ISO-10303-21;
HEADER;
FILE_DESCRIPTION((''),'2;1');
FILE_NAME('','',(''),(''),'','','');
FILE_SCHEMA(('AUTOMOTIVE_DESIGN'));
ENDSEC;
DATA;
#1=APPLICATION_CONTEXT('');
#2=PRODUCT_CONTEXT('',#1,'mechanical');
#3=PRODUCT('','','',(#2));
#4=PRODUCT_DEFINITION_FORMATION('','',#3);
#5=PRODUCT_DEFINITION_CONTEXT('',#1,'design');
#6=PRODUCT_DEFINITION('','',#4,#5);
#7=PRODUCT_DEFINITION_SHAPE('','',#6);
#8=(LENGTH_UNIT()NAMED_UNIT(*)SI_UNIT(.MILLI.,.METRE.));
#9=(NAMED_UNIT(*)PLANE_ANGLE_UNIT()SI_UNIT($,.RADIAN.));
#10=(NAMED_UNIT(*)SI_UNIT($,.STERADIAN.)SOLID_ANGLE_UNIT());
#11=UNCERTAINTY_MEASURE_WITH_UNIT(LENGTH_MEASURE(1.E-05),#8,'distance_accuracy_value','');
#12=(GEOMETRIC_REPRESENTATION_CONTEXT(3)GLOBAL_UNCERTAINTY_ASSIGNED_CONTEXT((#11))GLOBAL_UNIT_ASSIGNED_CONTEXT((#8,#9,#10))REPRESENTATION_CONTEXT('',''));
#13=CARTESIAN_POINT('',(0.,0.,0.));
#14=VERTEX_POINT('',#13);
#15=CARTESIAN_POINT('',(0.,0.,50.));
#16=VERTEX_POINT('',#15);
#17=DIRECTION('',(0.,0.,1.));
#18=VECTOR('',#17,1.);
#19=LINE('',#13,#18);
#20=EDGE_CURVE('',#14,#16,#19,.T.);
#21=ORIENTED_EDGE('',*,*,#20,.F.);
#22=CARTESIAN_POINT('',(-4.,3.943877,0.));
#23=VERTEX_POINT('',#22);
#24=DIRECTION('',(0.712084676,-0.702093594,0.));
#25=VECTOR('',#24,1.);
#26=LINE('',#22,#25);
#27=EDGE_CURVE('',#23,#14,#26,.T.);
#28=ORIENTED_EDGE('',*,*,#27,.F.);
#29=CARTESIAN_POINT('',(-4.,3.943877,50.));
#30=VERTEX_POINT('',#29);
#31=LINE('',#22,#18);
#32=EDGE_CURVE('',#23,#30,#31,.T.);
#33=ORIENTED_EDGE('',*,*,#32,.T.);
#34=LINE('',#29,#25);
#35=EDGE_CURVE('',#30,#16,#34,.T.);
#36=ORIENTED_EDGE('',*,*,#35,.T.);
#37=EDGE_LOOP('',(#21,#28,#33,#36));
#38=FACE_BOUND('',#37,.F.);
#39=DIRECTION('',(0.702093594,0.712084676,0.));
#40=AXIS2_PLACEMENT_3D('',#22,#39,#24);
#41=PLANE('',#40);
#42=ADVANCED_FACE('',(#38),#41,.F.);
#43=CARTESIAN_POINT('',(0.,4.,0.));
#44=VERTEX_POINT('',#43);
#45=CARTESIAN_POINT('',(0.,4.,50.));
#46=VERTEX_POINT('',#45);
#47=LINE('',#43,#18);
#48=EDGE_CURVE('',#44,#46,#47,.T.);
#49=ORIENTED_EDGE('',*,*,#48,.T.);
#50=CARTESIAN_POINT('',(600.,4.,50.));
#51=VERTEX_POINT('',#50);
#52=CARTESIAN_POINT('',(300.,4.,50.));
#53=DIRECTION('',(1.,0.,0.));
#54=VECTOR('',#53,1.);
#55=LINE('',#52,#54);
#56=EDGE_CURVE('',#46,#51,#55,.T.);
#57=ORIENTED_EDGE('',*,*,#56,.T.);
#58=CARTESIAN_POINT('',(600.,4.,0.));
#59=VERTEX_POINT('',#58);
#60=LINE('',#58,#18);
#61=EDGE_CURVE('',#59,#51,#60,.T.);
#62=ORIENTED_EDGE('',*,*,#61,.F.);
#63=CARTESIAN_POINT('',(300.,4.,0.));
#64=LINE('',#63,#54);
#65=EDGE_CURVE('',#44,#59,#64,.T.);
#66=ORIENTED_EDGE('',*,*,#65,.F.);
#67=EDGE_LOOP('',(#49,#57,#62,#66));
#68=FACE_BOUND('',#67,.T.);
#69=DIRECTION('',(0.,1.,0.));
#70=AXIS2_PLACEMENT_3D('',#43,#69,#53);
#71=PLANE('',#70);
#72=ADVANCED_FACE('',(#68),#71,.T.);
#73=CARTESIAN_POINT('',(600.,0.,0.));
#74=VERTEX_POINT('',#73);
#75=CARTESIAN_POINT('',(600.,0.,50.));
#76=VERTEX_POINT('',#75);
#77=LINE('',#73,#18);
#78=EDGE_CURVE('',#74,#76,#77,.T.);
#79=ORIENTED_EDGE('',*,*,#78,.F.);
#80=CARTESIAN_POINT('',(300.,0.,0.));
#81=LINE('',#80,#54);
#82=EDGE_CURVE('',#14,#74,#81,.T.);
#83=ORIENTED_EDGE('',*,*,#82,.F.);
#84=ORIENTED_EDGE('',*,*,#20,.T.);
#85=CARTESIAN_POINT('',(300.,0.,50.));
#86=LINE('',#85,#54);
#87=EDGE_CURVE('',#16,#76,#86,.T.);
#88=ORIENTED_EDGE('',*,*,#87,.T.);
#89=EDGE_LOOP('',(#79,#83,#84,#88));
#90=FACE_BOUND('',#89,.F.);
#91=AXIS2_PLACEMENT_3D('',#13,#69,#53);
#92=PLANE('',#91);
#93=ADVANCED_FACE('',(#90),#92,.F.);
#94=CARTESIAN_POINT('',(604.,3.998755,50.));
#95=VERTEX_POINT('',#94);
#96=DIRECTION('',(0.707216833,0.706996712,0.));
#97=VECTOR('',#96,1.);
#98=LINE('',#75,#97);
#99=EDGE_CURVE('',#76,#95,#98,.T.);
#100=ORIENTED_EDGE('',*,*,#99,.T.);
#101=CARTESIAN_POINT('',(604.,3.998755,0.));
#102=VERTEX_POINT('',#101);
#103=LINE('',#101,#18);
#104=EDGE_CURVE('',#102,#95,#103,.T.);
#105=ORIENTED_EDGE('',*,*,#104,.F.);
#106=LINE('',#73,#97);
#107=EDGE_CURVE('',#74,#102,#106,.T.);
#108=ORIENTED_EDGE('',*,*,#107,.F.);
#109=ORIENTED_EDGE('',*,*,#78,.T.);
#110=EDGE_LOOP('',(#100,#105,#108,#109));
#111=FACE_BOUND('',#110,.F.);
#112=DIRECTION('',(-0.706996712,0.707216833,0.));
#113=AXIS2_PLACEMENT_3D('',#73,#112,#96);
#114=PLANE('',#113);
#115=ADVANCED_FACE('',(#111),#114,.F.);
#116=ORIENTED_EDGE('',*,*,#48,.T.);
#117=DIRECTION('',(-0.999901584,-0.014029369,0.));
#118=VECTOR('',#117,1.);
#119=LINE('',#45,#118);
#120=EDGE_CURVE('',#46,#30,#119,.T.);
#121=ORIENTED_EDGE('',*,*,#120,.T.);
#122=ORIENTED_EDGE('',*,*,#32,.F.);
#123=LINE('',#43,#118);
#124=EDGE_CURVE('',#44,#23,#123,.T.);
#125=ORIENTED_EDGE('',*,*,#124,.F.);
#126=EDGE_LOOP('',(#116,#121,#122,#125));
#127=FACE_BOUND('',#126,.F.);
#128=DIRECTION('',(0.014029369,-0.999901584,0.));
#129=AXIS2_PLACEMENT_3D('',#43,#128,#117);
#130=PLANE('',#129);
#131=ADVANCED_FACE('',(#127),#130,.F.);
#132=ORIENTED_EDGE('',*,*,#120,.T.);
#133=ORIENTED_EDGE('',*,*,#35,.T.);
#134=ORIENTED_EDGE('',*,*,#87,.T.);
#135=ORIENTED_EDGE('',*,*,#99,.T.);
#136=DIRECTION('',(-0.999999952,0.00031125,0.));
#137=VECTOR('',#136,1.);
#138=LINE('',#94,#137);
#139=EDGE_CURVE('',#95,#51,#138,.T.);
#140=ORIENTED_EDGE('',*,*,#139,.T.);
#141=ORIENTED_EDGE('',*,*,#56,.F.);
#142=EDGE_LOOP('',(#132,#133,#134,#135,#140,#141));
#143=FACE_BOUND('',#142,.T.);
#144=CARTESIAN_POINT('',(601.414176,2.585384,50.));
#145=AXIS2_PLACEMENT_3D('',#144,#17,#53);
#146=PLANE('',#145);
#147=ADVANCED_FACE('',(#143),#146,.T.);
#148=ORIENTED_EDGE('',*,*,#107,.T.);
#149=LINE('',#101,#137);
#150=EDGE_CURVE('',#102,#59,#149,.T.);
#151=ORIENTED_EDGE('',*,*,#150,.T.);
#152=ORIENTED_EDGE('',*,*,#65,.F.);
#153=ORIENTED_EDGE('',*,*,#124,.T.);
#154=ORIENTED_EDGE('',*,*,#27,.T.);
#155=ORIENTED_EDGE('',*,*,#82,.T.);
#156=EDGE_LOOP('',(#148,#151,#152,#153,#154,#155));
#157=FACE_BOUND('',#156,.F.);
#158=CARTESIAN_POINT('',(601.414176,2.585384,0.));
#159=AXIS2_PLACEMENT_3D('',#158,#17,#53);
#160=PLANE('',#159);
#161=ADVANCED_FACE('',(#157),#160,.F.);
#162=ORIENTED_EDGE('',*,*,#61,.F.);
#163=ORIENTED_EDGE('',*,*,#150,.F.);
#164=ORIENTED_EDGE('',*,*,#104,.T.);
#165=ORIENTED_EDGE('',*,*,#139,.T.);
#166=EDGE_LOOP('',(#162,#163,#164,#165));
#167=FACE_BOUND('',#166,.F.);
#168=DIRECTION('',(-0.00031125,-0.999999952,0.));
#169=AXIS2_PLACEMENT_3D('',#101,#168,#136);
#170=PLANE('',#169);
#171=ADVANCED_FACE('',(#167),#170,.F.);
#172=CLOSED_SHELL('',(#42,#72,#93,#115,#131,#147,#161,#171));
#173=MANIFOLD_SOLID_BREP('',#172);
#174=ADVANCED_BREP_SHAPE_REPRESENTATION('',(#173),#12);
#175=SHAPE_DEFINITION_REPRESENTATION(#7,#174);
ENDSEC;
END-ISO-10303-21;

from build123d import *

# Parameters (mm, degrees)
F0_W     = 600
F0_H     = 4
F1_DEPTH = 50


with BuildPart() as f1:
    # F0 (on Top) → F1 (new body)
    with BuildSketch(Plane.XY):
        Polygon((600, 4), (600, 0), (604, 3.998755), align=None)
        with Locations((300, 2)):
            Rectangle(F0_W, F0_H)
        Polygon((-4, 3.943877), (0, 0), (0, 4), align=None)
    extrude(amount=F1_DEPTH)


solid = f1.part
